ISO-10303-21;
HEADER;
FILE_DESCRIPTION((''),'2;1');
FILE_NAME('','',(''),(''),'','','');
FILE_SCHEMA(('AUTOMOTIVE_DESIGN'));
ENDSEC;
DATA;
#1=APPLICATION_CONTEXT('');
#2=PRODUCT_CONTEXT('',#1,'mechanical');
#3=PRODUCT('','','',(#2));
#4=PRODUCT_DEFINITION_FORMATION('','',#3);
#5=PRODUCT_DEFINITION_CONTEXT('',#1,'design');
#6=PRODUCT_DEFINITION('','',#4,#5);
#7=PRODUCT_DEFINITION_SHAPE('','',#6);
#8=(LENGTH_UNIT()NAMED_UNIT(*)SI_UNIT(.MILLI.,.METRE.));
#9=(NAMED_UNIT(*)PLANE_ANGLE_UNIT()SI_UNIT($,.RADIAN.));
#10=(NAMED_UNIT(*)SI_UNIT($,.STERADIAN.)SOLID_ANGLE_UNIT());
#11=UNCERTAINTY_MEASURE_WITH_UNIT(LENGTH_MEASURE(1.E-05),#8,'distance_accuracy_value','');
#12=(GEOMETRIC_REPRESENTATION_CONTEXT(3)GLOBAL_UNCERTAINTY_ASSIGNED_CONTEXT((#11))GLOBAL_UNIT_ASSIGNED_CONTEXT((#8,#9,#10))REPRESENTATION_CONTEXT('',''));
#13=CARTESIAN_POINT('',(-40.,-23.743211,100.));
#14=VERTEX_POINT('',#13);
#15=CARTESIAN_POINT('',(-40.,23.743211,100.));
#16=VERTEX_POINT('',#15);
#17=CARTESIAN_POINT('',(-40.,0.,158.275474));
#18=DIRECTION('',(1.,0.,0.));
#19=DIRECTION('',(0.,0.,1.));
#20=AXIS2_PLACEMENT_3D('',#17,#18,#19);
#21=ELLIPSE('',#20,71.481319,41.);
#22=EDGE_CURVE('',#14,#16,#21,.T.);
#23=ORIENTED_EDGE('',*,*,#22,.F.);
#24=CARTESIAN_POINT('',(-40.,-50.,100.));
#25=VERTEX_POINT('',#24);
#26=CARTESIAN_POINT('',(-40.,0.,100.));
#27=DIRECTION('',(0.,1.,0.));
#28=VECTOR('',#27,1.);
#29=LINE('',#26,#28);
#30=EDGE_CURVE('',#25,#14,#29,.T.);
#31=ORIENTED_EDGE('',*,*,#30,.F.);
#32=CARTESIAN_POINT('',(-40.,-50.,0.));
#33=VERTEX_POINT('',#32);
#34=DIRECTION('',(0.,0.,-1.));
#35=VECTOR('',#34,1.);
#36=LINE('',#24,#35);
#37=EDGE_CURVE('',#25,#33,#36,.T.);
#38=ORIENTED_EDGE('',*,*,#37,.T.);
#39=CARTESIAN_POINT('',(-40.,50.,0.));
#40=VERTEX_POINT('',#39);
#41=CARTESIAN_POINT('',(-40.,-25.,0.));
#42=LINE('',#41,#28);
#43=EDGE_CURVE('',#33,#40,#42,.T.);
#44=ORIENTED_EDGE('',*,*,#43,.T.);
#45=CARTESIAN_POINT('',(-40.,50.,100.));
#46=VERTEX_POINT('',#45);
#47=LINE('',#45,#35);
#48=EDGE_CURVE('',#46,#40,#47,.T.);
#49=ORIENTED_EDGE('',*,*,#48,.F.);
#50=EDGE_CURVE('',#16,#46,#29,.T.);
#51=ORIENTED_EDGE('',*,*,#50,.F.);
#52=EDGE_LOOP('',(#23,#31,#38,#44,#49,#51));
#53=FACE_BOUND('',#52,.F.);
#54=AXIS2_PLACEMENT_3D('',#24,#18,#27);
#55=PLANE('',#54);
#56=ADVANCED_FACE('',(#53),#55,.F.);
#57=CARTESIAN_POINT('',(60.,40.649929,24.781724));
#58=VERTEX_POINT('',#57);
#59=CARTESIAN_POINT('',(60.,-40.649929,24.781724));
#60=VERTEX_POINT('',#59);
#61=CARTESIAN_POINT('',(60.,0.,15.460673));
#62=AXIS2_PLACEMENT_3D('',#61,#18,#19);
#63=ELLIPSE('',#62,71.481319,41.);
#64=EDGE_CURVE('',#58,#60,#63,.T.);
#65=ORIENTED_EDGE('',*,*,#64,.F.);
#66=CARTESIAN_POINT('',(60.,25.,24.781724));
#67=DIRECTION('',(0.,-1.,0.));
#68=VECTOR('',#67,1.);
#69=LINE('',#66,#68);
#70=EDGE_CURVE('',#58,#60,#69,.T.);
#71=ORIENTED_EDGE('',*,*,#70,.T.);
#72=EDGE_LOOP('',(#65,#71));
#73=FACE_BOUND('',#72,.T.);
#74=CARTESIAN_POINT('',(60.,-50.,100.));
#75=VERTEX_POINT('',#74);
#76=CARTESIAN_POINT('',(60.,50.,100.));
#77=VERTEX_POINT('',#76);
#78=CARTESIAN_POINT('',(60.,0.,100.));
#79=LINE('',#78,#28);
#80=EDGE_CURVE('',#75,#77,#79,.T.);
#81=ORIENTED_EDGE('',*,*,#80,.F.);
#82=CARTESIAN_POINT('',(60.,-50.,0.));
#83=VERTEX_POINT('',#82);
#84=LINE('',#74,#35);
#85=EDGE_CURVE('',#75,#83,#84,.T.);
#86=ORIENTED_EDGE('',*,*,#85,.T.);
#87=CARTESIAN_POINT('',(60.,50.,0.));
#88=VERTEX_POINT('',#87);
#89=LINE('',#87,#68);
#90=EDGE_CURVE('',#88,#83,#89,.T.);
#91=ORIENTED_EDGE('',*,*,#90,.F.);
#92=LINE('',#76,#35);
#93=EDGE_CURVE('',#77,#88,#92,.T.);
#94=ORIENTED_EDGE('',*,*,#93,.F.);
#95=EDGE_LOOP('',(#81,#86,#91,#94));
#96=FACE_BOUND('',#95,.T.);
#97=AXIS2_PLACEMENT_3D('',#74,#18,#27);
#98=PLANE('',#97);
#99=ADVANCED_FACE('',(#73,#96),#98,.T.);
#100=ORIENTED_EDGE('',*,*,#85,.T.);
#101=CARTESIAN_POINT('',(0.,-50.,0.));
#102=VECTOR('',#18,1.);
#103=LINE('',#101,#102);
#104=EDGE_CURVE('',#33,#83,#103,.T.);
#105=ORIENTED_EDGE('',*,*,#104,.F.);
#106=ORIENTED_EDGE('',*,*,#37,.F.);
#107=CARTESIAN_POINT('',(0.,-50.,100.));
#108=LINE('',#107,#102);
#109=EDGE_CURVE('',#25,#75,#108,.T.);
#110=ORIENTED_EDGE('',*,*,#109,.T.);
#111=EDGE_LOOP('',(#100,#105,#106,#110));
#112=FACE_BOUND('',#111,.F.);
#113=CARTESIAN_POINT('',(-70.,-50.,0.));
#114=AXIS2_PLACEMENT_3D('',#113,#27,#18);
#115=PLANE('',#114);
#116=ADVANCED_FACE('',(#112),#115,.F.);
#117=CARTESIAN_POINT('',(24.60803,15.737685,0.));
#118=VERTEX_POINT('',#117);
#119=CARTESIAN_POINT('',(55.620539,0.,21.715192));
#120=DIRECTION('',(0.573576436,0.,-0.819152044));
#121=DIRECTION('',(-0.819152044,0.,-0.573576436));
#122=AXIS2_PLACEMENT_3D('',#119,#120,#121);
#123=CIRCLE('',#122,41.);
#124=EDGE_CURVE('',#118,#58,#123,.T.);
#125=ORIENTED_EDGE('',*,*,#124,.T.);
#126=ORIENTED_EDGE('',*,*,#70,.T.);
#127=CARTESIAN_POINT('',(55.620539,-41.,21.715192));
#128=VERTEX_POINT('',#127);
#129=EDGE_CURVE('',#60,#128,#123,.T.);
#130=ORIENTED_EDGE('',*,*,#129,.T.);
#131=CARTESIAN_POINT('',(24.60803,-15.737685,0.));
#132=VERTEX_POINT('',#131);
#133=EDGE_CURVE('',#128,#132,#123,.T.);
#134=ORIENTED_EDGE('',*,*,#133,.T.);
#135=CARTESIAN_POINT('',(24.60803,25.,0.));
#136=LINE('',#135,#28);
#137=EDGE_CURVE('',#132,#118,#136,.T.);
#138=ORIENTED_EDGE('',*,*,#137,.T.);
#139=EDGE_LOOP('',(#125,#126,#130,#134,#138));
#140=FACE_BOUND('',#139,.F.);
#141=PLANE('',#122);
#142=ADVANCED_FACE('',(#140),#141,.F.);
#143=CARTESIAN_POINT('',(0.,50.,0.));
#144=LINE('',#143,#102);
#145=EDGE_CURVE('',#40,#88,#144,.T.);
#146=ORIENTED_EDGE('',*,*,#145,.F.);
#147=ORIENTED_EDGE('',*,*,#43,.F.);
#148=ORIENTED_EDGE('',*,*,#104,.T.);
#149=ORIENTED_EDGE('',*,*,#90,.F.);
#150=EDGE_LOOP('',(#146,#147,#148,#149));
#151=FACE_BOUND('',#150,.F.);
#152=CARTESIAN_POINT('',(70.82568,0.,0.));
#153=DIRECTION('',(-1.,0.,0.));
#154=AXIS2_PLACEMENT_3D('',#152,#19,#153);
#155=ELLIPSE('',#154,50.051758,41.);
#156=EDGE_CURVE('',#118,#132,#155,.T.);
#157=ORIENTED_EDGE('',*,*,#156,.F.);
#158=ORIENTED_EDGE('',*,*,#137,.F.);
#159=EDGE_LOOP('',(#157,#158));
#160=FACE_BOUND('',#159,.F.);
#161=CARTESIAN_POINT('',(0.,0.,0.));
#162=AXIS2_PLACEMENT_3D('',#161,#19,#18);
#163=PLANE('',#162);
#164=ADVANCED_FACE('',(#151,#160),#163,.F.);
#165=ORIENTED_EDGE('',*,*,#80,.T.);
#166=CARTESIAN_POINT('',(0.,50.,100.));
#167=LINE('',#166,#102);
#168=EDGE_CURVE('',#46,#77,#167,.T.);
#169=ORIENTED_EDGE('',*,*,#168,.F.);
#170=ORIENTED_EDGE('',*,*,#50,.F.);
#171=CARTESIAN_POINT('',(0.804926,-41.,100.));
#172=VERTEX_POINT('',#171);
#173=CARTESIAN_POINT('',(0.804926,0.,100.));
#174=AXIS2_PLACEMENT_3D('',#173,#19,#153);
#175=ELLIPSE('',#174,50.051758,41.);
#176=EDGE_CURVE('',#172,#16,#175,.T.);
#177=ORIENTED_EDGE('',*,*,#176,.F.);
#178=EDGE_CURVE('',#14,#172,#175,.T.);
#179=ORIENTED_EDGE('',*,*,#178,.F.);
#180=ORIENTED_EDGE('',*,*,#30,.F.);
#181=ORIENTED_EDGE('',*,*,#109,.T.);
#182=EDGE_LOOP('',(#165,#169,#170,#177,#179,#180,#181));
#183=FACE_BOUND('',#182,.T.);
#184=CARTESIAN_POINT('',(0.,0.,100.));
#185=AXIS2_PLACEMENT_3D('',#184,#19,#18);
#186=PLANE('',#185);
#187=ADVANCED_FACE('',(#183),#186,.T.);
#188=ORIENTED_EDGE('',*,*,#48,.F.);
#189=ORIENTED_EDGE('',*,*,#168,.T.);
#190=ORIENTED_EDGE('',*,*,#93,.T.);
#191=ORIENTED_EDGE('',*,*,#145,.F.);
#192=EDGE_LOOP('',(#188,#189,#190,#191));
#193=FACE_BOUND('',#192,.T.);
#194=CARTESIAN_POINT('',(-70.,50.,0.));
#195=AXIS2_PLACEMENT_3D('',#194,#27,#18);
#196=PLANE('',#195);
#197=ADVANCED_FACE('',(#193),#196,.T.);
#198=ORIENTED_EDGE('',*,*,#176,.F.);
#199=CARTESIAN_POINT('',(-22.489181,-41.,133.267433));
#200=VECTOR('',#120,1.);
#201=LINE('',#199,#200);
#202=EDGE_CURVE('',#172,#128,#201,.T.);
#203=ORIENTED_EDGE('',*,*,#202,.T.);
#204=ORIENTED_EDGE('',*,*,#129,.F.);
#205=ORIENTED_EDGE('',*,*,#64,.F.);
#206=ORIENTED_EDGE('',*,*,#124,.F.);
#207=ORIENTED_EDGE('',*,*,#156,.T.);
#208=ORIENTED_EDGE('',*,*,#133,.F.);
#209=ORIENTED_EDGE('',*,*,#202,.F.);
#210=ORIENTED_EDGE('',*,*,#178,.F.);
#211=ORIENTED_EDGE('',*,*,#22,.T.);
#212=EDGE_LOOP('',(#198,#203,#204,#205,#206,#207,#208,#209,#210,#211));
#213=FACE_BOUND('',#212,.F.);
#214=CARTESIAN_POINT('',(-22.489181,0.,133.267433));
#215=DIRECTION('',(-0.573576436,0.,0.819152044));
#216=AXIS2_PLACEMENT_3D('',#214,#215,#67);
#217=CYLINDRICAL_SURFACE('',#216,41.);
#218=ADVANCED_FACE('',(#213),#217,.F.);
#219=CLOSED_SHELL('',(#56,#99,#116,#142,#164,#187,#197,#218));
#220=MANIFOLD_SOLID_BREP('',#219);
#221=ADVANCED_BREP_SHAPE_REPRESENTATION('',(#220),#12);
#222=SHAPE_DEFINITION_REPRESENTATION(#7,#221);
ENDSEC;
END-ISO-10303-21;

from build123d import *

# Parameters (mm, degrees)
SKETCH1_W           = 140
SKETCH1_H           = 100
BOSS_EXTRUDE1_DEPTH = 100
SKETCH2_R           = 41
CUT_EXTRUDE1_DEPTH  = 163.215905518
SKETCH3_W           = 20
SKETCH3_H           = 100
CUT_EXTRUDE2_DEPTH  = 101
SKETCH4_W           = 10
SKETCH4_H           = 100
CUT_EXTRUDE3_DEPTH  = 101
SKETCH5_R           = 41
BOSS_EXTRUDE2_DEPTH = 20.3
CUT_EXTRUDE4_DEPTH  = 101


with BuildPart() as part:
    # Sketch1 → Boss-Extrude1 (new body)
    with BuildSketch(Plane.XY):
        Rectangle(SKETCH1_W, SKETCH1_H)
    extrude(amount=BOSS_EXTRUDE1_DEPTH)

    # Sketch2 → Cut-Extrude1 (cut, through all)
    with BuildSketch(Plane(origin=(-70.013926023, 0, 99.990248894), x_dir=(0, -1, 0), z_dir=(-0.573576436, 0, 0.819152044))):
        with Locations((0, 58.017000535)):
            Circle(SKETCH2_R)
    extrude(amount=-CUT_EXTRUDE1_DEPTH, mode=Mode.SUBTRACT)

    # Sketch3 → Cut-Extrude2 (cut, through all)
    with BuildSketch(Plane.XY.offset(100)):
        with Locations((-60, 0)):
            Rectangle(SKETCH3_W, SKETCH3_H)
    extrude(amount=-CUT_EXTRUDE2_DEPTH, mode=Mode.SUBTRACT)

    # Sketch4 → Cut-Extrude3 (cut, through all)
    with BuildSketch(Plane.XY.offset(100)):
        with Locations((-45, 0)):
            Rectangle(SKETCH4_W, SKETCH4_H)
        with Locations((65, 0)):
            Rectangle(SKETCH4_W, SKETCH4_H)
    extrude(amount=-CUT_EXTRUDE3_DEPTH, mode=Mode.SUBTRACT)

    # Sketch5 → Boss-Extrude2 (add)
    with BuildSketch(Plane(origin=(19.7393957, 0, -28.190778624), x_dir=(-0.819152044, 0, -0.573576436), z_dir=(0.573576436, 0, -0.819152044))):
        with Locations((-58.017000535, 0)):
            Circle(SKETCH5_R)
    extrude(amount=-BOSS_EXTRUDE2_DEPTH)

    # Sketch6 → Cut-Extrude4 (cut, through all)
    with BuildSketch(Plane(origin=(0, 50, 0), x_dir=(1, 0, 0), z_dir=(0, 1, 0))):
        Polygon((60, 0), (-40, 0), (-40, 38.622200476), (122.468168518, 38.622200476), (119.926290674, -91.2591408), (60, -91.2591408), align=None)
    extrude(amount=-CUT_EXTRUDE4_DEPTH, mode=Mode.SUBTRACT)


solid = part.part
